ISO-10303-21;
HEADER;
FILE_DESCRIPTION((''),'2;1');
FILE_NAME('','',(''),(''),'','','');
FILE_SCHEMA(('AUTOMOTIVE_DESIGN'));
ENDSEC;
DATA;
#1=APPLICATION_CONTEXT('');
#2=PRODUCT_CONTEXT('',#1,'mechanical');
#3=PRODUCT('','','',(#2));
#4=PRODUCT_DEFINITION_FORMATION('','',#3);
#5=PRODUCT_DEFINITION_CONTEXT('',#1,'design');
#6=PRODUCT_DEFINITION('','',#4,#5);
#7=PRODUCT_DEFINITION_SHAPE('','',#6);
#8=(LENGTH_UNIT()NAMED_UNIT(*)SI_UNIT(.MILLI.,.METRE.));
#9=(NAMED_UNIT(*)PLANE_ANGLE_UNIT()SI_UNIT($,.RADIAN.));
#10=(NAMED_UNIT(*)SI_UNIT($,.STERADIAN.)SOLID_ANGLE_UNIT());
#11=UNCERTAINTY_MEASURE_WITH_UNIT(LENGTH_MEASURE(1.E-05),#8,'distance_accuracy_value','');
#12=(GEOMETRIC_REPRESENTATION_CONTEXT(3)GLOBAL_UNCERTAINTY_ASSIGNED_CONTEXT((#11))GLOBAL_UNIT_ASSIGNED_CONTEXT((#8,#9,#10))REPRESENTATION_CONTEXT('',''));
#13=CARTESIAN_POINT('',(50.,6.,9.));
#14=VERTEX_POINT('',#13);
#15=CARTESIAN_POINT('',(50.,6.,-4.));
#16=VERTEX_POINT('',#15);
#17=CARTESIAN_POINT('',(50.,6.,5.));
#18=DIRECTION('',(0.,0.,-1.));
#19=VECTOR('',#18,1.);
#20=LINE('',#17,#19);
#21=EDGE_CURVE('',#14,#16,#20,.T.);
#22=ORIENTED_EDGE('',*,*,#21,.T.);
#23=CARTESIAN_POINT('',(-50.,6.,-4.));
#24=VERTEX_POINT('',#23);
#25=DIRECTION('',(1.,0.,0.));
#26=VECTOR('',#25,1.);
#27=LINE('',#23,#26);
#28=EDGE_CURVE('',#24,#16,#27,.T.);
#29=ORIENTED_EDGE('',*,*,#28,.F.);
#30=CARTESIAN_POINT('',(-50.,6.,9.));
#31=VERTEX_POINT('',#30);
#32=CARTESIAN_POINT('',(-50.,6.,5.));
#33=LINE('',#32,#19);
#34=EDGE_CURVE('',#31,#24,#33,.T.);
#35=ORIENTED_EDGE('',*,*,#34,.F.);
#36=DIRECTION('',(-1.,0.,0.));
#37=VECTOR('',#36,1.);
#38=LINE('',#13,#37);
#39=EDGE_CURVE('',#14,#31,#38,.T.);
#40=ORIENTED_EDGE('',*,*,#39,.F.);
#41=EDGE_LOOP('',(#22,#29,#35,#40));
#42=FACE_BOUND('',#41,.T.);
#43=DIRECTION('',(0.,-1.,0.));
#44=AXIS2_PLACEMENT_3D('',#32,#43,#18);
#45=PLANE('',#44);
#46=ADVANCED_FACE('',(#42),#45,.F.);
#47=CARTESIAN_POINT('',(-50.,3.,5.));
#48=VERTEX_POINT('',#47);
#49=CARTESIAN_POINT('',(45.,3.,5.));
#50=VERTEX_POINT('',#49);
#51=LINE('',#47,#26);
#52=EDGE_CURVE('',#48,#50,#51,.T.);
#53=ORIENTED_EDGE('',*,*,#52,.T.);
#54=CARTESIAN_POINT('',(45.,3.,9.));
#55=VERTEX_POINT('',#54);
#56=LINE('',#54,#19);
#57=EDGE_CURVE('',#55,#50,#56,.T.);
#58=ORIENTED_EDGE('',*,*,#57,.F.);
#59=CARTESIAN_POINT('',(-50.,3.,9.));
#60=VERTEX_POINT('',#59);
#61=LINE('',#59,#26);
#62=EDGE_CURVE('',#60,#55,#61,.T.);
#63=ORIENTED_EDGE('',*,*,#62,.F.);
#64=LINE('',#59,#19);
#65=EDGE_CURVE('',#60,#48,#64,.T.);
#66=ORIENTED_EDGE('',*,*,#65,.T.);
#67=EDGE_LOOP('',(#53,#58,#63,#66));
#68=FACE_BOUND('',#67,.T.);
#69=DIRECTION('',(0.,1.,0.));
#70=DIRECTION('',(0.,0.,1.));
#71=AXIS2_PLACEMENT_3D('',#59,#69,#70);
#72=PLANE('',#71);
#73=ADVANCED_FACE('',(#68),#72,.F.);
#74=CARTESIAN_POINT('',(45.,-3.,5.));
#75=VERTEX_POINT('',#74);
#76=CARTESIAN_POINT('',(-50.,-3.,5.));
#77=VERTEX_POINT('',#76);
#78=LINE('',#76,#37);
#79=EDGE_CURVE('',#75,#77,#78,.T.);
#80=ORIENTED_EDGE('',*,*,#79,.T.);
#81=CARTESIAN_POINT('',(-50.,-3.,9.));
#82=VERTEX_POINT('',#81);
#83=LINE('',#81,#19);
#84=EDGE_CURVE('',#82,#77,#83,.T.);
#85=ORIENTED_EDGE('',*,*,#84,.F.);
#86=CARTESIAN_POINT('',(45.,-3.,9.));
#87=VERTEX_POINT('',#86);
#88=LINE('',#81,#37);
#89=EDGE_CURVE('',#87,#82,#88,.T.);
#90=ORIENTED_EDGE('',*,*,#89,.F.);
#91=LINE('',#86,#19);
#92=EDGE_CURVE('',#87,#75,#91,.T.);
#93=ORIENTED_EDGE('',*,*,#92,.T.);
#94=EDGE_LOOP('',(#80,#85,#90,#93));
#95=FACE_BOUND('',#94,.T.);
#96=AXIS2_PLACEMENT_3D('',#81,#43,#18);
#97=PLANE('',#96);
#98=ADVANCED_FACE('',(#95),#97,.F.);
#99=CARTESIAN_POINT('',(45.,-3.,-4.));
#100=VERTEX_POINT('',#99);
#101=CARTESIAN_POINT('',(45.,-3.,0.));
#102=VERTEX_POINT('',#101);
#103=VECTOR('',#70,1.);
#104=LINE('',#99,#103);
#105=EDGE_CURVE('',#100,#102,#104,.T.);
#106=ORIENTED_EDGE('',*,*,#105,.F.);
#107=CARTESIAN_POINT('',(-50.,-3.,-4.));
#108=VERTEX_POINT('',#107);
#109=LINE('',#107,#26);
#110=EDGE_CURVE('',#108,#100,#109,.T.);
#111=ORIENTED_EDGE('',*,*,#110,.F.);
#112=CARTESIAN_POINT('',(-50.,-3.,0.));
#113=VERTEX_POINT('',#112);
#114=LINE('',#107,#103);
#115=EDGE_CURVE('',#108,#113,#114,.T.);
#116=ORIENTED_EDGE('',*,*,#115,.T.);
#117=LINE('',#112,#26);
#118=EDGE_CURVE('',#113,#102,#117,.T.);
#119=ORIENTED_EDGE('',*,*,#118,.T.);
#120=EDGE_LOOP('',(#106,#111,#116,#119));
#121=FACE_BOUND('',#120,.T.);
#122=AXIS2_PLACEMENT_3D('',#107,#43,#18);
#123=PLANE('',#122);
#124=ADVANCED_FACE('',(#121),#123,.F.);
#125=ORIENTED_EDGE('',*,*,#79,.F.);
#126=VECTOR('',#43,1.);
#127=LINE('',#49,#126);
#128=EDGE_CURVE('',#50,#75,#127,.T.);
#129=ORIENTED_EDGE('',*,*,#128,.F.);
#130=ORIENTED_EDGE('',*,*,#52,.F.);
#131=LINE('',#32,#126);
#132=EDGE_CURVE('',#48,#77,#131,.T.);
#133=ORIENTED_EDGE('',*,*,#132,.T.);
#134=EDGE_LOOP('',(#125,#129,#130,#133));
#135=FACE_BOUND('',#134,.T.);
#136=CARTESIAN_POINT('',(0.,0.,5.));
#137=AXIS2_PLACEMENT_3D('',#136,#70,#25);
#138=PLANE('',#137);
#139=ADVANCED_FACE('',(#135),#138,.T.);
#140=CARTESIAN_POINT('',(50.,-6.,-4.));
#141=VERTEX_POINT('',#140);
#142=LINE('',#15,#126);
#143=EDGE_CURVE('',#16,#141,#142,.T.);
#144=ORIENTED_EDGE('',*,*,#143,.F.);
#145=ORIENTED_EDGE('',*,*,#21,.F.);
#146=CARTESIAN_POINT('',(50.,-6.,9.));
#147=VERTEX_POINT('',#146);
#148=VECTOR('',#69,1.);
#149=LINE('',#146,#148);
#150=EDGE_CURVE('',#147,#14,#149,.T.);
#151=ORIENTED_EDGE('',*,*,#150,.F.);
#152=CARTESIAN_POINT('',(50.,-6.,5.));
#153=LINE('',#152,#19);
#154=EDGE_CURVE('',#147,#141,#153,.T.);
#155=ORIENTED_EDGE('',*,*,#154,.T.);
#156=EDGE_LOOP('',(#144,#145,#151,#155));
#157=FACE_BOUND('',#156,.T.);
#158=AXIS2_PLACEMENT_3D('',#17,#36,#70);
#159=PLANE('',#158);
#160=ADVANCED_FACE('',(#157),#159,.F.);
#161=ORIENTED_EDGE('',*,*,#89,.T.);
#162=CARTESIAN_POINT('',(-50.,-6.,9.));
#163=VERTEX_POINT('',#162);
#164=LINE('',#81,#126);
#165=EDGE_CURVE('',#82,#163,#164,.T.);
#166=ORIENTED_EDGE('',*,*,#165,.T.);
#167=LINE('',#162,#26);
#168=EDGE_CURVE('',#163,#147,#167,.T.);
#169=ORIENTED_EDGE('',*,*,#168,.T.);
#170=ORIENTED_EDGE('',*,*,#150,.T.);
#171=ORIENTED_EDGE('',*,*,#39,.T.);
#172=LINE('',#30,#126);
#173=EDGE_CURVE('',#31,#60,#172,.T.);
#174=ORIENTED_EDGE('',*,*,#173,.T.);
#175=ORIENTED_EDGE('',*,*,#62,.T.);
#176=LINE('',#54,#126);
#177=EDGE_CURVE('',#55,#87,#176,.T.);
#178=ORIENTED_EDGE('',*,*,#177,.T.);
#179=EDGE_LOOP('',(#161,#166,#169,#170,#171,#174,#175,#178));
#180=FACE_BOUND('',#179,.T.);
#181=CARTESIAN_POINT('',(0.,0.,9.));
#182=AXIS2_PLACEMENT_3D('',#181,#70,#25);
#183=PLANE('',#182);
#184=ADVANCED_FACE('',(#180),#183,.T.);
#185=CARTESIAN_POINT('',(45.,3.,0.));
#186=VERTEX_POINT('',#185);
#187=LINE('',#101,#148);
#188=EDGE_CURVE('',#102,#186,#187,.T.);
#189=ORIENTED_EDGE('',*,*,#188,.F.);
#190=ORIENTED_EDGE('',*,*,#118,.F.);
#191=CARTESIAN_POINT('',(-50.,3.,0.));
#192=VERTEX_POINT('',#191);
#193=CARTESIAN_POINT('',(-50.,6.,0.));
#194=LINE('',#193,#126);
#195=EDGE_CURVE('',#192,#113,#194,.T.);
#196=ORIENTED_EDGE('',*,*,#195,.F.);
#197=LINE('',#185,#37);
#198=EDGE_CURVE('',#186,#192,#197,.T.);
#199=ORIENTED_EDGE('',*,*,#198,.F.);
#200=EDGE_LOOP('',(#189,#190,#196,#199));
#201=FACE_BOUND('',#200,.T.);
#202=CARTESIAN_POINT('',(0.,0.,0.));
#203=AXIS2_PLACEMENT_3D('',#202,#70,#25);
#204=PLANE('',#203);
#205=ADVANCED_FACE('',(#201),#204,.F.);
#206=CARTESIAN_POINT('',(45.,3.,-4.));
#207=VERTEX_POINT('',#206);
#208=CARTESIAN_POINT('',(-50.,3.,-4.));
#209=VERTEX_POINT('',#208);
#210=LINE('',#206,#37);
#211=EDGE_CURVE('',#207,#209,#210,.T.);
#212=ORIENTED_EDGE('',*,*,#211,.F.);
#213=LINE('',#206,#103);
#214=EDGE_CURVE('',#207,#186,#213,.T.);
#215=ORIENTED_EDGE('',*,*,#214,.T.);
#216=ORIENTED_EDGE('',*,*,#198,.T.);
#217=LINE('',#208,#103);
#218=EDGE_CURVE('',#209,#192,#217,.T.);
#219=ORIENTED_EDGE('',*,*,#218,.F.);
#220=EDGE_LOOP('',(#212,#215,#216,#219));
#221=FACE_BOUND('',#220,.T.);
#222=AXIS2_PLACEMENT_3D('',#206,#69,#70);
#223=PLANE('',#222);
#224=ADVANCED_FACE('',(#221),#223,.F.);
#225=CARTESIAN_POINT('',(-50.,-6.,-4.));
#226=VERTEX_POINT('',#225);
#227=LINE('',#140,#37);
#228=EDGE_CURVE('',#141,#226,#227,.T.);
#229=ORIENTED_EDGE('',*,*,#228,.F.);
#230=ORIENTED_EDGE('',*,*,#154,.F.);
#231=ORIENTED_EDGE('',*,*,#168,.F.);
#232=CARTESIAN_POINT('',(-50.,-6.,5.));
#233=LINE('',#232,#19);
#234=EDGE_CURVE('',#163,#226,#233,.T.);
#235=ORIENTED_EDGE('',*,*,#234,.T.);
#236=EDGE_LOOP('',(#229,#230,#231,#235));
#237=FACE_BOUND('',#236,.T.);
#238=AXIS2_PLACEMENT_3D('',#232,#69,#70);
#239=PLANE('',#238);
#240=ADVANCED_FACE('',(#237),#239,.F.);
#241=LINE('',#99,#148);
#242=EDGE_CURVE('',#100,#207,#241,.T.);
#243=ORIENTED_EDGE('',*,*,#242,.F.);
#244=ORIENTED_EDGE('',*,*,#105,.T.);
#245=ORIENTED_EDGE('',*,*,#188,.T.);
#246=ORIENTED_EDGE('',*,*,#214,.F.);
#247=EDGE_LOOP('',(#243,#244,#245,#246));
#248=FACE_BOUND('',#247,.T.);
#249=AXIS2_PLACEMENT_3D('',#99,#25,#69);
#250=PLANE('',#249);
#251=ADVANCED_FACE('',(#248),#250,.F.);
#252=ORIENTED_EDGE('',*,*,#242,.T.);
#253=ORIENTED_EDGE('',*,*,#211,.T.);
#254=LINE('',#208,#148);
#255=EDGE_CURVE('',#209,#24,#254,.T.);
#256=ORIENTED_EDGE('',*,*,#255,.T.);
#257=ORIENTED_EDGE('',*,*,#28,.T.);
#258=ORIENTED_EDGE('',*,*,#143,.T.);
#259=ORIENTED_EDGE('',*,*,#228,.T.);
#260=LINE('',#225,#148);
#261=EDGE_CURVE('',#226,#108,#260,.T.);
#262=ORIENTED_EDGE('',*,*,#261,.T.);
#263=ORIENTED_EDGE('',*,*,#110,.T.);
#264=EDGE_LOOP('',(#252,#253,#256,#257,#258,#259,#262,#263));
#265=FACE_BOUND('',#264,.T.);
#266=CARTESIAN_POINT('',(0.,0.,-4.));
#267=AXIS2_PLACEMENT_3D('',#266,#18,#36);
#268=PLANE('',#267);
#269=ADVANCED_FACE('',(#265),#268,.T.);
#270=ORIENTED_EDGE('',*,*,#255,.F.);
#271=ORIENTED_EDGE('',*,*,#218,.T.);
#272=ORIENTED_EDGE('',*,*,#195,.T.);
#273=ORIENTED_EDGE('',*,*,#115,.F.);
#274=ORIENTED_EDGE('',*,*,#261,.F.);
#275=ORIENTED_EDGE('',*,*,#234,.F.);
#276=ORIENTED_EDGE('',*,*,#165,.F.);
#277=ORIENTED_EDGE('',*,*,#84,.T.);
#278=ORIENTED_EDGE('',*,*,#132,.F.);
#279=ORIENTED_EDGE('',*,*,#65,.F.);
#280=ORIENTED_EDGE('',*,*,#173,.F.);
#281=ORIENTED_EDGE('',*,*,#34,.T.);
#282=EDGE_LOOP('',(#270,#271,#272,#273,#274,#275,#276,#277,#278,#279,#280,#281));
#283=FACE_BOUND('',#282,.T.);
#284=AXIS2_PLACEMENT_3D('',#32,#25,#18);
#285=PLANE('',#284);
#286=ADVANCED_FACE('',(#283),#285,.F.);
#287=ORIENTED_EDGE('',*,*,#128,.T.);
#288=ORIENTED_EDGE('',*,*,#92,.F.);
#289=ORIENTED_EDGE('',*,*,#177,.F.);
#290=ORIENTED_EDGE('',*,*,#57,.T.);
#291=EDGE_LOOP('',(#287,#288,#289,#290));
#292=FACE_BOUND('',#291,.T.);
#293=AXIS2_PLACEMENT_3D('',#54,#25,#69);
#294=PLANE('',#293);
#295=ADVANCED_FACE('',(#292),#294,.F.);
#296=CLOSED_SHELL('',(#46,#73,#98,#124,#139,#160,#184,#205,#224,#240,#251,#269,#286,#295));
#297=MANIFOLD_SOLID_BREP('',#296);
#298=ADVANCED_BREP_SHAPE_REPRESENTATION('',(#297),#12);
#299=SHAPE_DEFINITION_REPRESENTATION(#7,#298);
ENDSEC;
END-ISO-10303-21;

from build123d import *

# Parameters (mm, degrees)
ESQUISSE1_W        = 100
ESQUISSE1_H        = 12
BOSS_EXTRU_1_DEPTH = 5
BOSS_EXTRU_2_DEPTH = 4
BOSS_EXTRU_3_DEPTH = 4


with BuildPart() as part:
    # Esquisse1 → Boss.-Extru.1 (new body)
    with BuildSketch(Plane.XY):
        Rectangle(ESQUISSE1_W, ESQUISSE1_H)
    extrude(amount=BOSS_EXTRU_1_DEPTH)

    # Esquisse2 → Boss.-Extru.2 (add)
    with BuildSketch(Plane.XY.offset(5)):
        Polygon((-50, 3), (45, 3), (45, -3), (-50, -3), (-50, -6), (50, -6), (50, 6), (-50, 6), align=None)
    extrude(amount=BOSS_EXTRU_2_DEPTH)

    # Esquisse3 → Boss.-Extru.3 (add)
    with BuildSketch(Plane(origin=(0, 0, 0), x_dir=(-1, 0, 0), z_dir=(0, 0, -1))):
        Polygon((-50, -6), (50, -6), (50, -3), (-45, -3), (-45, 3), (50, 3), (50, 6), (-50, 6), align=None)
    extrude(amount=BOSS_EXTRU_3_DEPTH)


solid = part.part
